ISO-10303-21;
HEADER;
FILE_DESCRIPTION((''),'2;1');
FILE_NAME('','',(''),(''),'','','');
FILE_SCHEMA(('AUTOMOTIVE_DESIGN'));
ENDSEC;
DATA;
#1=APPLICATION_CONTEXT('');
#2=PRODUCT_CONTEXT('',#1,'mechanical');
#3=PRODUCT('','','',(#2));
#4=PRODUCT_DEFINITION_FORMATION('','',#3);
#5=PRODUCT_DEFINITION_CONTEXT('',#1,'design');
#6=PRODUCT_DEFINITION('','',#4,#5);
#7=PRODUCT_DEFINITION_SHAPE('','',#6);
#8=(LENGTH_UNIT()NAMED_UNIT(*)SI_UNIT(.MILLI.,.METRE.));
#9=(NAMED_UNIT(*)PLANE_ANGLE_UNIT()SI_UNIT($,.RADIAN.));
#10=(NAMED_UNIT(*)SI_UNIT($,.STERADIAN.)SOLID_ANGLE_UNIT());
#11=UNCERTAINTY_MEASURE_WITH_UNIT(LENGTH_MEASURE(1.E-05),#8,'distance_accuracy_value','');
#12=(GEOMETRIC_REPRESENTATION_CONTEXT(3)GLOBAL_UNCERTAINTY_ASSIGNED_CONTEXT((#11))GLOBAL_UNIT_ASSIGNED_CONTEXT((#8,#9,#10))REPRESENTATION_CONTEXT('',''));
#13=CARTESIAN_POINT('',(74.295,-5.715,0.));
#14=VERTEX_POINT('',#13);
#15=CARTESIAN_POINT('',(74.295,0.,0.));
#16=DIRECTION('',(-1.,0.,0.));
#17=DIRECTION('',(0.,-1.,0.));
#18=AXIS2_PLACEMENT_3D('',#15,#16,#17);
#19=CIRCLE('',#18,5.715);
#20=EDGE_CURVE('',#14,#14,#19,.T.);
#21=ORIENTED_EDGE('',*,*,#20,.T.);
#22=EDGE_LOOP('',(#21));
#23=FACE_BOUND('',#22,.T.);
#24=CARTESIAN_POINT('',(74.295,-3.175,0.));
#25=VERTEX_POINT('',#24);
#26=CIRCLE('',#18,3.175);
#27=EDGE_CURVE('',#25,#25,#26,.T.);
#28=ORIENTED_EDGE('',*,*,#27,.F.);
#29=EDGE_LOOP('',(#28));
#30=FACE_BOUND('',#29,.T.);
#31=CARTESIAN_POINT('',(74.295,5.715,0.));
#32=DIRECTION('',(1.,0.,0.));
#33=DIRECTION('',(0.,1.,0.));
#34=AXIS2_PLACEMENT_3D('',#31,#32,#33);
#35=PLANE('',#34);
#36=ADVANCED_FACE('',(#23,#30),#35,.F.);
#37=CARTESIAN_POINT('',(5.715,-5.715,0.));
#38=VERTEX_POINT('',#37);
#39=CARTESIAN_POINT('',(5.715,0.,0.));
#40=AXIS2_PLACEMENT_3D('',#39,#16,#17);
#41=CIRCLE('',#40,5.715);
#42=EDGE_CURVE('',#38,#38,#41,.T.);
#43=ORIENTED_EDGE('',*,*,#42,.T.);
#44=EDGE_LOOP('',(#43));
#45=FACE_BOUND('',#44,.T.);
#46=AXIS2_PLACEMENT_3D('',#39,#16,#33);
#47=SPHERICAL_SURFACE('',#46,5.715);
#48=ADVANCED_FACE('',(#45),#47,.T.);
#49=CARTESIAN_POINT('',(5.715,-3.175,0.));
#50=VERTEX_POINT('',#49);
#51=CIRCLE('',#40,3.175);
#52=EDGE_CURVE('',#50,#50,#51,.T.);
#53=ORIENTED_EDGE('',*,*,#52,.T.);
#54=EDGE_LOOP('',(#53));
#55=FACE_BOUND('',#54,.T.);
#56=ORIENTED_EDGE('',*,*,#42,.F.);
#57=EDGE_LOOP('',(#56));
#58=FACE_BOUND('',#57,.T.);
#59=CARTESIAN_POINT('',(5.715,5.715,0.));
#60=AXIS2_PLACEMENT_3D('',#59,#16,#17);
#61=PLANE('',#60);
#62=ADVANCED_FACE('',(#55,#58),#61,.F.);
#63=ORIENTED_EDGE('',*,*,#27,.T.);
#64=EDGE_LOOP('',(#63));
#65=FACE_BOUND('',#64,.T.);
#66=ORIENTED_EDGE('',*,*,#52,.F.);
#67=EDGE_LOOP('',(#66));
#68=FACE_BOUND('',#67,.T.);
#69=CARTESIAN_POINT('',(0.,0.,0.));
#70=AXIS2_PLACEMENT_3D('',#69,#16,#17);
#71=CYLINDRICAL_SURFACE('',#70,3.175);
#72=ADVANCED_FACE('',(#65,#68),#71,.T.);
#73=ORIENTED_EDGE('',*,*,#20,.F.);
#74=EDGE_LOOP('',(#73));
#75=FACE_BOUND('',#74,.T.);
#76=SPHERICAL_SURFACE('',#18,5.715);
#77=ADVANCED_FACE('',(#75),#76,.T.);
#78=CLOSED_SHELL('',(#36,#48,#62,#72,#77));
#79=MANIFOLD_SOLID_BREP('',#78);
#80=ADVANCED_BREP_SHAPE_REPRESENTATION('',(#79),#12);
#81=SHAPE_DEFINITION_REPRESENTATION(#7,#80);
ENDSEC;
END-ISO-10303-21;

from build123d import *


with BuildPart() as part:
    # Sketch1 → Revolve1 (revolve)
    with BuildSketch(Plane.XY):
        with BuildLine():
            Line((5.715, 5.715), (5.715, 3.175))
            Line((5.715, 3.175), (74.295, 3.175))
            Line((74.295, 3.175), (74.295, 5.715))
            ThreePointArc((74.295, 5.715), (78.336115254, 4.041115254), (80.01, 0))
            Line((80.01, 0), (0, 0))
            ThreePointArc((0, 0), (1.673884746, 4.041115254), (5.715, 5.715))
        make_face()
    revolve(axis=Axis((0, 0, 0), (1, 0, 0)))


solid = part.part
